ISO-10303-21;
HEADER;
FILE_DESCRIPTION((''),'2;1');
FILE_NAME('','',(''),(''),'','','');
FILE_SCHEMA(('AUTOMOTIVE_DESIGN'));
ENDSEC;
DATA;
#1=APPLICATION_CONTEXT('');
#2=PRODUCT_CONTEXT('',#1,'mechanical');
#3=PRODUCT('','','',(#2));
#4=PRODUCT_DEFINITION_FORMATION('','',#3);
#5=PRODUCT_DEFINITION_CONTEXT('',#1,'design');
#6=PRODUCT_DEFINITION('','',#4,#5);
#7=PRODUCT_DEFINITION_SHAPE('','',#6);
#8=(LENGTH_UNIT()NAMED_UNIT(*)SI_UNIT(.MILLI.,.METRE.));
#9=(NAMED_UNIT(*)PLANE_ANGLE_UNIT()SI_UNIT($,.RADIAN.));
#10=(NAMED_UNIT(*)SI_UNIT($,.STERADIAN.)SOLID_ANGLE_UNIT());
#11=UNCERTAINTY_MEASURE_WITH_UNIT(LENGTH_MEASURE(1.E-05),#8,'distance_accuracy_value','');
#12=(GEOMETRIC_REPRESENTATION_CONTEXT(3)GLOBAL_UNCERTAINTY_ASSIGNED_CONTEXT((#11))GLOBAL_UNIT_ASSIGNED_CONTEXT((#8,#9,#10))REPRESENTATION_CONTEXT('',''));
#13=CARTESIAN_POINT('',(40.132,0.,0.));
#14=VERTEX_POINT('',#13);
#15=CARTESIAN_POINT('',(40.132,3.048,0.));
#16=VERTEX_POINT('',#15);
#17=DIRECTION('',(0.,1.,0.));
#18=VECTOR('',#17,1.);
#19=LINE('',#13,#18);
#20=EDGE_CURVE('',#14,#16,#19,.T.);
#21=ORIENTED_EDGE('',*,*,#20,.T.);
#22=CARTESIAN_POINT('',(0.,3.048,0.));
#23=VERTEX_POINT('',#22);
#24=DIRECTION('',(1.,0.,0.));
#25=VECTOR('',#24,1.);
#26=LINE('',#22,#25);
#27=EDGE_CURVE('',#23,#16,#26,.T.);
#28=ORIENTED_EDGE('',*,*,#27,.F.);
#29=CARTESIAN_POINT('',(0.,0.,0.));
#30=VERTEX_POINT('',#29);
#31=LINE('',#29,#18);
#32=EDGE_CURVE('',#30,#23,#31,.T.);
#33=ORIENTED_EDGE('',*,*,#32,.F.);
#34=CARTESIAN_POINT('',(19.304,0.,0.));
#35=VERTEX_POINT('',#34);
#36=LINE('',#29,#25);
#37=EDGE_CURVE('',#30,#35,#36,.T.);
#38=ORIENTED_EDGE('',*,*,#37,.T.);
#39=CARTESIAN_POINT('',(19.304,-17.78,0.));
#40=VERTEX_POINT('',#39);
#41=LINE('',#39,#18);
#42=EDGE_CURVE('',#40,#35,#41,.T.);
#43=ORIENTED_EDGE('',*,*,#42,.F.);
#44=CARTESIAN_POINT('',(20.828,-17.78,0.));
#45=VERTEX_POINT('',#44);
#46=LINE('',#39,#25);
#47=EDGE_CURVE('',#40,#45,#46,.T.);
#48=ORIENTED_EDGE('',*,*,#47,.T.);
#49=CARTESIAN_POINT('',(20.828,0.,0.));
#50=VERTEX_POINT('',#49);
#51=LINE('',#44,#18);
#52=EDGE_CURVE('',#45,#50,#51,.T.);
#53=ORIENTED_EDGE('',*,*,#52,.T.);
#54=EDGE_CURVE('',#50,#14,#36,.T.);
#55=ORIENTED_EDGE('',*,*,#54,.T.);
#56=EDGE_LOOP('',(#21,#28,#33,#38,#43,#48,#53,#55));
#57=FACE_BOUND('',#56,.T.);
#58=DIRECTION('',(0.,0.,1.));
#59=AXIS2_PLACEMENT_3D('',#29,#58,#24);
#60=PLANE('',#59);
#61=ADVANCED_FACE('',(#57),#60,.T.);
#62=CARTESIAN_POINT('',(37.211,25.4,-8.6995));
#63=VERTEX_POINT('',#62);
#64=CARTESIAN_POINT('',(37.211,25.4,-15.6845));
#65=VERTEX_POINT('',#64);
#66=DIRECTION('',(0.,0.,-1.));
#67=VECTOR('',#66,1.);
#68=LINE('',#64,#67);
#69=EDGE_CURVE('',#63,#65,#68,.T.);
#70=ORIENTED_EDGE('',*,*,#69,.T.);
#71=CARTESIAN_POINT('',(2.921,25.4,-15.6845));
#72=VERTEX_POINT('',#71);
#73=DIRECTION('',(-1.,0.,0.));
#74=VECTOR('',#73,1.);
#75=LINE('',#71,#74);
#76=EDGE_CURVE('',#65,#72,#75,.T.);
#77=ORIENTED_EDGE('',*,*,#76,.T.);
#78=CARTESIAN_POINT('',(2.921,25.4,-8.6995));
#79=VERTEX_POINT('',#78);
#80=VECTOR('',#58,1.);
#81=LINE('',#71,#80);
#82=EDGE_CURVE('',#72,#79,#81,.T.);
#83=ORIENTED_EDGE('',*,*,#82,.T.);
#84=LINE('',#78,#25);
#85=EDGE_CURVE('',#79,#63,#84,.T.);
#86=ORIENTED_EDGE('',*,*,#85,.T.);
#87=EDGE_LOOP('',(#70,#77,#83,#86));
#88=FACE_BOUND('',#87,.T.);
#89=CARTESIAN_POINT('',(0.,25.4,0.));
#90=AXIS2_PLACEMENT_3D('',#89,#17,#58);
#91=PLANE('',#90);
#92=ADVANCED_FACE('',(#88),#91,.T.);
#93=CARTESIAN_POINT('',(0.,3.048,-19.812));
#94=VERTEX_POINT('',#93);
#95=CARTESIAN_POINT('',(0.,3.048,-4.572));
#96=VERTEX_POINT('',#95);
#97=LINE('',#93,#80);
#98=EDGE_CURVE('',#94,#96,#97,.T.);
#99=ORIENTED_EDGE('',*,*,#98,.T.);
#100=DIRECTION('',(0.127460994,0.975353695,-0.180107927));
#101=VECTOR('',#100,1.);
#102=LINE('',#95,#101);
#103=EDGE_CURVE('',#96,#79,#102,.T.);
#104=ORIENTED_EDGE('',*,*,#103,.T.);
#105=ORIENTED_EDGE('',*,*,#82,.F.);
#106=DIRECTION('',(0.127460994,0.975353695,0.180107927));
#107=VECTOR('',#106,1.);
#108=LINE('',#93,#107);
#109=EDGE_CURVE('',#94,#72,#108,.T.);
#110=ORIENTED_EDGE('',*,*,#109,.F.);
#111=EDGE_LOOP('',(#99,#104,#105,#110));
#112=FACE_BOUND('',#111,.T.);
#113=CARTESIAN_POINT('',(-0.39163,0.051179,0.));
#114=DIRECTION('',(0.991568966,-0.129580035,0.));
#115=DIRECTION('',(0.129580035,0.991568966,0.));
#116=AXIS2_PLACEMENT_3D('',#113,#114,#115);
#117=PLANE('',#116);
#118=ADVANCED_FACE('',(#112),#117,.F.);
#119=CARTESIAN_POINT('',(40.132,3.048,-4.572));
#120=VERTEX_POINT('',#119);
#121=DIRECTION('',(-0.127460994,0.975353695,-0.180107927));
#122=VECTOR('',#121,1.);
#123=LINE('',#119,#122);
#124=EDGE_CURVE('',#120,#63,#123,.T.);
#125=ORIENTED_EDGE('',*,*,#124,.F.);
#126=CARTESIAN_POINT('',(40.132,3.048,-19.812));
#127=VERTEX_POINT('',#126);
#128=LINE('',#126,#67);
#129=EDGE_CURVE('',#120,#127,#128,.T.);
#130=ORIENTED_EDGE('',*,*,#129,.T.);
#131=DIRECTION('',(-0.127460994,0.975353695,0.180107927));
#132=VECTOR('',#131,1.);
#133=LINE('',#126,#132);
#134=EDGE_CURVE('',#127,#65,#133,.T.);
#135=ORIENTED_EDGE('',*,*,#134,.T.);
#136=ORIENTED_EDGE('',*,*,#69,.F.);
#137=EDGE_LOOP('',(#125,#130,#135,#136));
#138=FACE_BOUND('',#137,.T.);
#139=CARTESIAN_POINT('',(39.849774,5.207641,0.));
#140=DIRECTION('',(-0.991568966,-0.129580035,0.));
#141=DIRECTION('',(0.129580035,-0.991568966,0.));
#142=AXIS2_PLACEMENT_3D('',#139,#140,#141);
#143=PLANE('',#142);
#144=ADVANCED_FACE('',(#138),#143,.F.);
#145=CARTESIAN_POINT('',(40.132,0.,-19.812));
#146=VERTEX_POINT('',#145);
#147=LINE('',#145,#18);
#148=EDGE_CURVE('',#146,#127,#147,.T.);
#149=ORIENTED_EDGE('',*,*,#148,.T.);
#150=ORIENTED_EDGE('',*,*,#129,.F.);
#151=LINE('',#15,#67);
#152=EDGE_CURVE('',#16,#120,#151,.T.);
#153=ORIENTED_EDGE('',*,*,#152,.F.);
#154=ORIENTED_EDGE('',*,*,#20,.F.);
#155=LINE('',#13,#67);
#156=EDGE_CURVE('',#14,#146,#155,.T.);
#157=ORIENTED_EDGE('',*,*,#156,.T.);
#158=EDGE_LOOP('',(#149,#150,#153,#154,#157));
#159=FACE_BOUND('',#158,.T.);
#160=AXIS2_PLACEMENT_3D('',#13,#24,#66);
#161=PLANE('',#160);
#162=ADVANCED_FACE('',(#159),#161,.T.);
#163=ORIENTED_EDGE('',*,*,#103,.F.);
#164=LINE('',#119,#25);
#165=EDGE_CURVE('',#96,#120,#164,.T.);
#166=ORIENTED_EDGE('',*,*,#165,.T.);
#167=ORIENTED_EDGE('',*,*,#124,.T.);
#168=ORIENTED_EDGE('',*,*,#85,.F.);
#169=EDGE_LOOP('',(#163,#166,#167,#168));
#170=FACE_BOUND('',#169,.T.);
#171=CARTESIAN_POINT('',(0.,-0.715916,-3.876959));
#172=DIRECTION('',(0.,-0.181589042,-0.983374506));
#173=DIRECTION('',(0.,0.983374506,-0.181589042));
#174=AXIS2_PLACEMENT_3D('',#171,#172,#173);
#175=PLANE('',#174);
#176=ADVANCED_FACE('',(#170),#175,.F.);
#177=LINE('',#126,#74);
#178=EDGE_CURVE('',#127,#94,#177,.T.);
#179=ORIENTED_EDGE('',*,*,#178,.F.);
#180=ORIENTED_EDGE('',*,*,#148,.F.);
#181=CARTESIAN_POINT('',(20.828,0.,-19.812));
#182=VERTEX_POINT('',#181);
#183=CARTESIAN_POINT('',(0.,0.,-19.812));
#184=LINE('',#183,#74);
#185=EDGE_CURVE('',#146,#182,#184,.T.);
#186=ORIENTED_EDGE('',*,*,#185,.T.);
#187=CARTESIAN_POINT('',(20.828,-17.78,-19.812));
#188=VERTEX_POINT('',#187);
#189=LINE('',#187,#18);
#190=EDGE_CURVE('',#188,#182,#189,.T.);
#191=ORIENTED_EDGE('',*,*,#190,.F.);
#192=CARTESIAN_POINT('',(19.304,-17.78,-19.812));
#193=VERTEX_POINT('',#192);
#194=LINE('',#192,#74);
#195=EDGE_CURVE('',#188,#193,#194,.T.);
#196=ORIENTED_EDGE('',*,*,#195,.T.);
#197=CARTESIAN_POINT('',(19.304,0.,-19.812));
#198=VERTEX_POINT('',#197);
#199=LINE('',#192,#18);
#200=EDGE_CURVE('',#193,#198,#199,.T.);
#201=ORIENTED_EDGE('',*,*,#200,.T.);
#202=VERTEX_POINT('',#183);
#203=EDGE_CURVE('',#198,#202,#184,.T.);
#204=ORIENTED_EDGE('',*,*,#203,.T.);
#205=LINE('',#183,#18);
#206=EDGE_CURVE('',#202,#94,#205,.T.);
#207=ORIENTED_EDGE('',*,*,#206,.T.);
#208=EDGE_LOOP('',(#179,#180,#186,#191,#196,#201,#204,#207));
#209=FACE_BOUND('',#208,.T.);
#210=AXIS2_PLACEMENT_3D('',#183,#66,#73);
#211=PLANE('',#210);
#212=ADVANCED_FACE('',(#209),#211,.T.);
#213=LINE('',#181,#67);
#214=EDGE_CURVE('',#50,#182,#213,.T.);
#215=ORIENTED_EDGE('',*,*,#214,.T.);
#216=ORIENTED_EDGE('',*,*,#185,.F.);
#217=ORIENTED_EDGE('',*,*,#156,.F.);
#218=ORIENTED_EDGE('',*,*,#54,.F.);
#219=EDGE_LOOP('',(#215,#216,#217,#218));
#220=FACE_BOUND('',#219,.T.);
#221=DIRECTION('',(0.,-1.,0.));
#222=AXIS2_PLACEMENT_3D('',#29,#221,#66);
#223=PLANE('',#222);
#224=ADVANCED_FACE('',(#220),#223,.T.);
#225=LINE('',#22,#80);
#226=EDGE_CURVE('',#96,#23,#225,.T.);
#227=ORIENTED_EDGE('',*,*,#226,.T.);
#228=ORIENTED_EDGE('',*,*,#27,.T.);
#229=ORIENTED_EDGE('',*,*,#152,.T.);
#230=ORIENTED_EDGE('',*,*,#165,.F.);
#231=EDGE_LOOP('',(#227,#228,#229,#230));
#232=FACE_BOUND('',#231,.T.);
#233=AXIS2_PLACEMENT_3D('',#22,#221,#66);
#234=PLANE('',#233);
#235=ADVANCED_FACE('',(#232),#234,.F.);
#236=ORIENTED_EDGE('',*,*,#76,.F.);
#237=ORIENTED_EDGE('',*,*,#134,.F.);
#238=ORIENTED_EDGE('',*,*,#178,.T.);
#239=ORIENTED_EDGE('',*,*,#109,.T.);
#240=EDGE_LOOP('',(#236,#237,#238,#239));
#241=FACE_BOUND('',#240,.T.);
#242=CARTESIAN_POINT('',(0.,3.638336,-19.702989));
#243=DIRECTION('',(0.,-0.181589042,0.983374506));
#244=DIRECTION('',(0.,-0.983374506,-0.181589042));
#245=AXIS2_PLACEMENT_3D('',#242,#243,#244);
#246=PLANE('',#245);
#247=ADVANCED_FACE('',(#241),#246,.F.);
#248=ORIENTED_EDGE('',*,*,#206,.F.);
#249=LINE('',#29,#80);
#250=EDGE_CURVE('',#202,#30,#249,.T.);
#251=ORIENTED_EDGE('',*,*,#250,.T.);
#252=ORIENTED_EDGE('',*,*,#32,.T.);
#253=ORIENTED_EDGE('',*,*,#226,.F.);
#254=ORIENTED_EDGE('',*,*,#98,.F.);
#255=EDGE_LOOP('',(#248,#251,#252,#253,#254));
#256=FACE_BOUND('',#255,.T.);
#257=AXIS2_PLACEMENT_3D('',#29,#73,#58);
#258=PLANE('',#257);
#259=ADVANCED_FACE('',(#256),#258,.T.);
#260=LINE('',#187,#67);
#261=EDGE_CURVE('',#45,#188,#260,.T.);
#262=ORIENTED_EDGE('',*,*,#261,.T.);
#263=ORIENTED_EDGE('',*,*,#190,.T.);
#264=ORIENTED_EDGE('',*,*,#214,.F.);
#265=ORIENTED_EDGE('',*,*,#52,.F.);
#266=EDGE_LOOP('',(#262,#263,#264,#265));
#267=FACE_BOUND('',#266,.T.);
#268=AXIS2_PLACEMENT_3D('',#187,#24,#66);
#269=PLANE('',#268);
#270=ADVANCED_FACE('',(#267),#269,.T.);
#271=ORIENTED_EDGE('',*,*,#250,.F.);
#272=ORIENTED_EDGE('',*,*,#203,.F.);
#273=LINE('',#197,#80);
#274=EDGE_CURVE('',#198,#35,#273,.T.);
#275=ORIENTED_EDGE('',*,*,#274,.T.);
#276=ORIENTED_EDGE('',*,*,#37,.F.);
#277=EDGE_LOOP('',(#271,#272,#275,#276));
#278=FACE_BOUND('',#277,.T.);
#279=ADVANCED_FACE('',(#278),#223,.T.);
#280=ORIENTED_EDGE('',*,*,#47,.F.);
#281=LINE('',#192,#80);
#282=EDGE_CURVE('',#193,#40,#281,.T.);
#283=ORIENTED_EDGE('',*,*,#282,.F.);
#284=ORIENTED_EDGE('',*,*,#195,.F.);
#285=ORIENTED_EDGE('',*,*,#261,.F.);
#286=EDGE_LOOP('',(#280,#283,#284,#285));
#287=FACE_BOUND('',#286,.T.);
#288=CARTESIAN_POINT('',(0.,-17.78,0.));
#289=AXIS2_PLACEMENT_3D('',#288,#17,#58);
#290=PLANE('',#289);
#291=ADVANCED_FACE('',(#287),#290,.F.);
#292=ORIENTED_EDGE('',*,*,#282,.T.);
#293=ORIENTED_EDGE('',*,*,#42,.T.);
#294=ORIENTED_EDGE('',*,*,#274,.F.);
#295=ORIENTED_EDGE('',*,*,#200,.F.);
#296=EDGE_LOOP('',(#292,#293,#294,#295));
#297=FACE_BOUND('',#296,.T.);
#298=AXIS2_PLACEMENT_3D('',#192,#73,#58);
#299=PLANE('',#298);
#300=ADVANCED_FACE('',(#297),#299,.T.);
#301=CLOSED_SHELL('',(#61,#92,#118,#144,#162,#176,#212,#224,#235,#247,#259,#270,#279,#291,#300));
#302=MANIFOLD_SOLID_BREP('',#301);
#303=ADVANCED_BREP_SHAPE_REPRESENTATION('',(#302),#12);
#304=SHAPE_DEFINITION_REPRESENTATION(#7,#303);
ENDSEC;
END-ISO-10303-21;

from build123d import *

# Parameters (mm, degrees)
SKETCH2_W           = 40.132
SKETCH2_H           = 19.812
BOSS_EXTRUDE1_DEPTH = 3.048
SKETCH3_W           = 40.132
SKETCH3_H           = 15.24
SKETCH4_W           = 34.29
SKETCH4_H           = 6.985
SKETCH5_W           = 1.524
SKETCH5_H           = 19.812
BOSS_EXTRUDE2_DEPTH = 17.78


with BuildPart() as part:
    # Sketch2 → Boss-Extrude1 (new body)
    with BuildSketch(Plane(origin=(0, 3.048, 0), x_dir=(1, 0, 0), z_dir=(0, 1, 0))):
        with Locations((20.066, 9.906)):
            Rectangle(SKETCH2_W, SKETCH2_H)
    extrude(amount=-BOSS_EXTRUDE1_DEPTH)

    # Sketch3 → Loft1 section 0
    with BuildSketch(Plane(origin=(0, 3.048, 0), x_dir=(1, 0, 0), z_dir=(0, 1, 0))):
        with Locations((20.066, 12.192)):
            Rectangle(SKETCH3_W, SKETCH3_H)
    # Sketch4 → Loft1 section 1
    with BuildSketch(Plane(origin=(0, 25.4, 0), x_dir=(1, 0, 0), z_dir=(0, 1, 0))):
        with Locations((20.066, 12.192)):
            Rectangle(SKETCH4_W, SKETCH4_H)
    loft()

    # Sketch5 → Boss-Extrude2 (add)
    with BuildSketch(Plane(origin=(0, 0, 0), x_dir=(1, 0, 0), z_dir=(0, 1, 0))):
        with Locations((20.066, 9.906)):
            Rectangle(SKETCH5_W, SKETCH5_H)
    extrude(amount=-BOSS_EXTRUDE2_DEPTH)


solid = part.part
